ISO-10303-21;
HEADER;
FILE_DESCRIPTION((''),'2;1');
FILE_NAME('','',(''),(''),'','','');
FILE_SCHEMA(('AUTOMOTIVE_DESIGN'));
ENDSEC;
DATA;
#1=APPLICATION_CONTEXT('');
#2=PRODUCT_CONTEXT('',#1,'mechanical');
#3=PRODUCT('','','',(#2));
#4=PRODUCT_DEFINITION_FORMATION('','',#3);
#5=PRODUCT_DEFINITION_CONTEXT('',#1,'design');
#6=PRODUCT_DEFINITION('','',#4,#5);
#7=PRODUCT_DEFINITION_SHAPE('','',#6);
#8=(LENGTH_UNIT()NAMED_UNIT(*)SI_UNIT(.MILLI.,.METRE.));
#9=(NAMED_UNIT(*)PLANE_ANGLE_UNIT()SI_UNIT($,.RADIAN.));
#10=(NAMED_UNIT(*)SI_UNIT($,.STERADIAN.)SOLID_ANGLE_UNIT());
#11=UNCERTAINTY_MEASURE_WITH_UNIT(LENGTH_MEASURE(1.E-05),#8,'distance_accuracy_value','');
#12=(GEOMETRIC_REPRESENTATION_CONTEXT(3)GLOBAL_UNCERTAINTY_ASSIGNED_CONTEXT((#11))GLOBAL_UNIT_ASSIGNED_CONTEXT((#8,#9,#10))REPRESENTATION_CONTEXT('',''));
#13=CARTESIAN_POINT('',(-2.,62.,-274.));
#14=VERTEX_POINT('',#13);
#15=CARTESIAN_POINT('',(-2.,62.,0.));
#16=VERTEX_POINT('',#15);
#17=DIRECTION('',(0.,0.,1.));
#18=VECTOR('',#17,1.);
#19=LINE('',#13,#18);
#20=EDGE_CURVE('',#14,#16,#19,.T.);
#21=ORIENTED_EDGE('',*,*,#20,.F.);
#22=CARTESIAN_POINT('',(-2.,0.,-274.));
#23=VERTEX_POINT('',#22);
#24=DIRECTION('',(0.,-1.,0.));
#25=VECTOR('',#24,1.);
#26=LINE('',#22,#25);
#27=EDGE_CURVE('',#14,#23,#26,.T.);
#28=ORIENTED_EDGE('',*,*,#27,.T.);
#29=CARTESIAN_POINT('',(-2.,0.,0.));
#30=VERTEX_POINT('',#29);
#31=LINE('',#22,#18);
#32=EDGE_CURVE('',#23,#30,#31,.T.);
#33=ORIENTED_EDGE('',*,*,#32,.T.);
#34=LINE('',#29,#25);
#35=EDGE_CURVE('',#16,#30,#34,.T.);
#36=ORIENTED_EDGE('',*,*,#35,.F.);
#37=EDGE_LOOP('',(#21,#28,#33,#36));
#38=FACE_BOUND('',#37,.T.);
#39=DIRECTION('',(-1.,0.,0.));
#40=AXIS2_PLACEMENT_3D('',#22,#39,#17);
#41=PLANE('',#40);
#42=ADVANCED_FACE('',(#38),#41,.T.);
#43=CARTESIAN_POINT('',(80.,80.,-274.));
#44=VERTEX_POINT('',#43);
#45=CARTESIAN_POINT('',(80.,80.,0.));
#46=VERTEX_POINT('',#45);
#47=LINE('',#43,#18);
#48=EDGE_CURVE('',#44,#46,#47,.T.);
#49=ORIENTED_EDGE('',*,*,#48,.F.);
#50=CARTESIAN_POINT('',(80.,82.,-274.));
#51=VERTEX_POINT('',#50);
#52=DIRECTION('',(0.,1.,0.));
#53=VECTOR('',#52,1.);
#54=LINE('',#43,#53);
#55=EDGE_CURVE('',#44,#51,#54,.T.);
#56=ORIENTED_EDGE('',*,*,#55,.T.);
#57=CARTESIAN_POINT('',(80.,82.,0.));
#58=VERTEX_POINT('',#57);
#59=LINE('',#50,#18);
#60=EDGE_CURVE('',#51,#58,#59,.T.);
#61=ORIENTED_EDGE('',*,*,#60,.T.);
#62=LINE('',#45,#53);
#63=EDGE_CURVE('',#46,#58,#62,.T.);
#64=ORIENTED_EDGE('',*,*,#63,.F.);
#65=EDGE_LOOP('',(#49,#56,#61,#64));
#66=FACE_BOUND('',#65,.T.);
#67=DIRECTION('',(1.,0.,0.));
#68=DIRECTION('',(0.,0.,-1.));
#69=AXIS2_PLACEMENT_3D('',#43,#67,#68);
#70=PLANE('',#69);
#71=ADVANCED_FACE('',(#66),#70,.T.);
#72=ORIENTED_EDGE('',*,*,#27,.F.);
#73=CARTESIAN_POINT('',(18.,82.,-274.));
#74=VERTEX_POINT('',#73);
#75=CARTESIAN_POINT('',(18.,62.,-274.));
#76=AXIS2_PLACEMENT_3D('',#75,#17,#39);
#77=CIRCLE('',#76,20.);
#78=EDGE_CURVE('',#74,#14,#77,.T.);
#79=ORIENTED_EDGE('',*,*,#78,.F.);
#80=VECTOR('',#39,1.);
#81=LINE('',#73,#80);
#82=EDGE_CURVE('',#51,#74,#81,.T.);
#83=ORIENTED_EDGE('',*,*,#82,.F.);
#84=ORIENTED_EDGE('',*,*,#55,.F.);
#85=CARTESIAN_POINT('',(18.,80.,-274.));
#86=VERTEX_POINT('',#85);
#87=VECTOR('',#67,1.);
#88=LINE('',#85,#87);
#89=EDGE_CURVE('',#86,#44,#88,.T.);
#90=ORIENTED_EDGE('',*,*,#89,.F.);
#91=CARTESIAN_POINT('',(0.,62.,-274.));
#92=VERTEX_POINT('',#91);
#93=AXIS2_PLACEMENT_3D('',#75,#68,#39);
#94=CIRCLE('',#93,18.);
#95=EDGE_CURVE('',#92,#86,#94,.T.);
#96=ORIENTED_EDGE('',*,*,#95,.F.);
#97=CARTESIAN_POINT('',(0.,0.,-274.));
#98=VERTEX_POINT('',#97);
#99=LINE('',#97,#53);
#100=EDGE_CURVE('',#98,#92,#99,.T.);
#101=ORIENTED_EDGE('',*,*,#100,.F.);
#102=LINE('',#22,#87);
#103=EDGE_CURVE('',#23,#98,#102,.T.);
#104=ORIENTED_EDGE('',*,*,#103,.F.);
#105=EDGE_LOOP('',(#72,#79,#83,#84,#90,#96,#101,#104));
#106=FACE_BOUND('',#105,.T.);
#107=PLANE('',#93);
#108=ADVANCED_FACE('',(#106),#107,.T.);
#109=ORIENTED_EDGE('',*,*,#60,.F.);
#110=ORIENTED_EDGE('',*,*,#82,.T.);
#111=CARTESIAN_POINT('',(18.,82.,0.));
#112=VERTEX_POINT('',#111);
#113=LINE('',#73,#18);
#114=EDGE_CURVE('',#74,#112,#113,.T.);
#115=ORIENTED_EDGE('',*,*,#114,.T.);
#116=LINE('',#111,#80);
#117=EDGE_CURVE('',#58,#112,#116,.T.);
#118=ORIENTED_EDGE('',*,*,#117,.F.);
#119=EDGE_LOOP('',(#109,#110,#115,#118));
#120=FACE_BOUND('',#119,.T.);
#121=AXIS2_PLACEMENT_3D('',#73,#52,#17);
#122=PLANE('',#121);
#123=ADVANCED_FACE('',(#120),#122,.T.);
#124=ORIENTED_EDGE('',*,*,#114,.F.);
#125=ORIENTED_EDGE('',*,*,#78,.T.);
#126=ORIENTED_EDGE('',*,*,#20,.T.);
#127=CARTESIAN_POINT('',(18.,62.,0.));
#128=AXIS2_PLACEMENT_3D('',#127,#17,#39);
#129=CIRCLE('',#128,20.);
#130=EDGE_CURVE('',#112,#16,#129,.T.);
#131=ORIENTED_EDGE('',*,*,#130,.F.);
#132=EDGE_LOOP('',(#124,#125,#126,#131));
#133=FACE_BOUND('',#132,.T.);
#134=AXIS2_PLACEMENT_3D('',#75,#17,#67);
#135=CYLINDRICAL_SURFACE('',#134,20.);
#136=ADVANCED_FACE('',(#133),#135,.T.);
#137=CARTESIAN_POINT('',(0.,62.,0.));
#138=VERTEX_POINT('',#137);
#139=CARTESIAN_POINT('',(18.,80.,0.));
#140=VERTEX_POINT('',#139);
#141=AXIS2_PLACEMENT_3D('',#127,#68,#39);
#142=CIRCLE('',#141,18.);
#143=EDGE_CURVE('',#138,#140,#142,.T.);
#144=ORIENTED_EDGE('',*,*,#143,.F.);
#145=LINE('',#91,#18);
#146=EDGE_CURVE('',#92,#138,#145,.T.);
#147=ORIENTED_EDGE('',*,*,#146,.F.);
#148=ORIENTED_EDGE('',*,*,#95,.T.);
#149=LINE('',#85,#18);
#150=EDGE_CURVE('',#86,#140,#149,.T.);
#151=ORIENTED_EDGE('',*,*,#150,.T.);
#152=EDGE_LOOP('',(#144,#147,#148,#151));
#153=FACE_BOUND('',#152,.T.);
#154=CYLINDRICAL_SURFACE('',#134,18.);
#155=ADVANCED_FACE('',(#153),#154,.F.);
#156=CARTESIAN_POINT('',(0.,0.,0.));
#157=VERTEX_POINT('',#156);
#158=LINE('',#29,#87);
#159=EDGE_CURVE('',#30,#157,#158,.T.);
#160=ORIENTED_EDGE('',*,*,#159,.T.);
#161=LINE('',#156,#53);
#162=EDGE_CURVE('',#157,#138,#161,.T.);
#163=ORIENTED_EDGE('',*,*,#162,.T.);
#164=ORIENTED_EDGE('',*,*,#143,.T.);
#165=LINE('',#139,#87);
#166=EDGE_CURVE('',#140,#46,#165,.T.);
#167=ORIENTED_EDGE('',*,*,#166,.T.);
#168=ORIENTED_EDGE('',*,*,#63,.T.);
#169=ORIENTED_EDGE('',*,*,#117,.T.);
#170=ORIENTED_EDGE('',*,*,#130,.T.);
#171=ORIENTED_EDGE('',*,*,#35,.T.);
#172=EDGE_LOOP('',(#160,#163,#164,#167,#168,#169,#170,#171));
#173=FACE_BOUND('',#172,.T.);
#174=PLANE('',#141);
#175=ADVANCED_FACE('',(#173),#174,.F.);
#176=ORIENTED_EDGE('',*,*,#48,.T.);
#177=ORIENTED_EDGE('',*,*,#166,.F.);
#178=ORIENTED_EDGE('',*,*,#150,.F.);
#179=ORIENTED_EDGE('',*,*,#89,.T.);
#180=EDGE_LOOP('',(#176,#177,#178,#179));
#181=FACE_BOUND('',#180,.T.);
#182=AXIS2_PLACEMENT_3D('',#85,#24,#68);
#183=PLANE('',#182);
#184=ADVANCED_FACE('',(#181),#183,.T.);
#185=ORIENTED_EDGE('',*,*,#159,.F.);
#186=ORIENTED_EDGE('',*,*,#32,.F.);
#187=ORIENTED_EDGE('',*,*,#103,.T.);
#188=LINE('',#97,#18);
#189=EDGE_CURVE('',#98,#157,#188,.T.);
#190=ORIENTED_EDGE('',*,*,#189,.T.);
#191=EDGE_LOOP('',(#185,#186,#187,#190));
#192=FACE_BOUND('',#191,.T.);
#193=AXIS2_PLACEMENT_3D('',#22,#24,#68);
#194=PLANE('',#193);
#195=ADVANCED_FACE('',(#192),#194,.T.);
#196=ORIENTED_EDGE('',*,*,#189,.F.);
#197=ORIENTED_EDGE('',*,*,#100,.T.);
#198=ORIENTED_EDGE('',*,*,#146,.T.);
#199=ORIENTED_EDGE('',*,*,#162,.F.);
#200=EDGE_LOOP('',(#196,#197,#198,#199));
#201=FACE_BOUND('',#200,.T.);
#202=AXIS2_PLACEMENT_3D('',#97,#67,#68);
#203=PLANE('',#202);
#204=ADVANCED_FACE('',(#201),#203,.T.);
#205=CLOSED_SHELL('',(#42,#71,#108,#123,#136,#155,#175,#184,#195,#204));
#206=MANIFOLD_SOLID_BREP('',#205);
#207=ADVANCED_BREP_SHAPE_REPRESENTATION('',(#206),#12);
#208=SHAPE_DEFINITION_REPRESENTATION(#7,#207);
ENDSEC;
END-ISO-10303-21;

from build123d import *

# Parameters (mm, degrees)
BOSS_EXTRUDE1_DEPTH = 274


with BuildPart() as part:
    # Sketch1 → Boss-Extrude1 (new body)
    with BuildSketch(Plane.XY):
        with BuildLine():
            Line((0, 0), (0, 62))
            ThreePointArc((0, 62), (5.272077939, 74.727922061), (18, 80))
            Line((18, 80), (80, 80))
            Line((80, 80), (80, 82))
            Line((80, 82), (18, 82))
            ThreePointArc((18, 82), (3.857864376, 76.142135624), (-2, 62))
            Line((-2, 62), (-2, 0))
            Line((-2, 0), (0, 0))
        make_face()
    extrude(amount=-BOSS_EXTRUDE1_DEPTH)


solid = part.part
